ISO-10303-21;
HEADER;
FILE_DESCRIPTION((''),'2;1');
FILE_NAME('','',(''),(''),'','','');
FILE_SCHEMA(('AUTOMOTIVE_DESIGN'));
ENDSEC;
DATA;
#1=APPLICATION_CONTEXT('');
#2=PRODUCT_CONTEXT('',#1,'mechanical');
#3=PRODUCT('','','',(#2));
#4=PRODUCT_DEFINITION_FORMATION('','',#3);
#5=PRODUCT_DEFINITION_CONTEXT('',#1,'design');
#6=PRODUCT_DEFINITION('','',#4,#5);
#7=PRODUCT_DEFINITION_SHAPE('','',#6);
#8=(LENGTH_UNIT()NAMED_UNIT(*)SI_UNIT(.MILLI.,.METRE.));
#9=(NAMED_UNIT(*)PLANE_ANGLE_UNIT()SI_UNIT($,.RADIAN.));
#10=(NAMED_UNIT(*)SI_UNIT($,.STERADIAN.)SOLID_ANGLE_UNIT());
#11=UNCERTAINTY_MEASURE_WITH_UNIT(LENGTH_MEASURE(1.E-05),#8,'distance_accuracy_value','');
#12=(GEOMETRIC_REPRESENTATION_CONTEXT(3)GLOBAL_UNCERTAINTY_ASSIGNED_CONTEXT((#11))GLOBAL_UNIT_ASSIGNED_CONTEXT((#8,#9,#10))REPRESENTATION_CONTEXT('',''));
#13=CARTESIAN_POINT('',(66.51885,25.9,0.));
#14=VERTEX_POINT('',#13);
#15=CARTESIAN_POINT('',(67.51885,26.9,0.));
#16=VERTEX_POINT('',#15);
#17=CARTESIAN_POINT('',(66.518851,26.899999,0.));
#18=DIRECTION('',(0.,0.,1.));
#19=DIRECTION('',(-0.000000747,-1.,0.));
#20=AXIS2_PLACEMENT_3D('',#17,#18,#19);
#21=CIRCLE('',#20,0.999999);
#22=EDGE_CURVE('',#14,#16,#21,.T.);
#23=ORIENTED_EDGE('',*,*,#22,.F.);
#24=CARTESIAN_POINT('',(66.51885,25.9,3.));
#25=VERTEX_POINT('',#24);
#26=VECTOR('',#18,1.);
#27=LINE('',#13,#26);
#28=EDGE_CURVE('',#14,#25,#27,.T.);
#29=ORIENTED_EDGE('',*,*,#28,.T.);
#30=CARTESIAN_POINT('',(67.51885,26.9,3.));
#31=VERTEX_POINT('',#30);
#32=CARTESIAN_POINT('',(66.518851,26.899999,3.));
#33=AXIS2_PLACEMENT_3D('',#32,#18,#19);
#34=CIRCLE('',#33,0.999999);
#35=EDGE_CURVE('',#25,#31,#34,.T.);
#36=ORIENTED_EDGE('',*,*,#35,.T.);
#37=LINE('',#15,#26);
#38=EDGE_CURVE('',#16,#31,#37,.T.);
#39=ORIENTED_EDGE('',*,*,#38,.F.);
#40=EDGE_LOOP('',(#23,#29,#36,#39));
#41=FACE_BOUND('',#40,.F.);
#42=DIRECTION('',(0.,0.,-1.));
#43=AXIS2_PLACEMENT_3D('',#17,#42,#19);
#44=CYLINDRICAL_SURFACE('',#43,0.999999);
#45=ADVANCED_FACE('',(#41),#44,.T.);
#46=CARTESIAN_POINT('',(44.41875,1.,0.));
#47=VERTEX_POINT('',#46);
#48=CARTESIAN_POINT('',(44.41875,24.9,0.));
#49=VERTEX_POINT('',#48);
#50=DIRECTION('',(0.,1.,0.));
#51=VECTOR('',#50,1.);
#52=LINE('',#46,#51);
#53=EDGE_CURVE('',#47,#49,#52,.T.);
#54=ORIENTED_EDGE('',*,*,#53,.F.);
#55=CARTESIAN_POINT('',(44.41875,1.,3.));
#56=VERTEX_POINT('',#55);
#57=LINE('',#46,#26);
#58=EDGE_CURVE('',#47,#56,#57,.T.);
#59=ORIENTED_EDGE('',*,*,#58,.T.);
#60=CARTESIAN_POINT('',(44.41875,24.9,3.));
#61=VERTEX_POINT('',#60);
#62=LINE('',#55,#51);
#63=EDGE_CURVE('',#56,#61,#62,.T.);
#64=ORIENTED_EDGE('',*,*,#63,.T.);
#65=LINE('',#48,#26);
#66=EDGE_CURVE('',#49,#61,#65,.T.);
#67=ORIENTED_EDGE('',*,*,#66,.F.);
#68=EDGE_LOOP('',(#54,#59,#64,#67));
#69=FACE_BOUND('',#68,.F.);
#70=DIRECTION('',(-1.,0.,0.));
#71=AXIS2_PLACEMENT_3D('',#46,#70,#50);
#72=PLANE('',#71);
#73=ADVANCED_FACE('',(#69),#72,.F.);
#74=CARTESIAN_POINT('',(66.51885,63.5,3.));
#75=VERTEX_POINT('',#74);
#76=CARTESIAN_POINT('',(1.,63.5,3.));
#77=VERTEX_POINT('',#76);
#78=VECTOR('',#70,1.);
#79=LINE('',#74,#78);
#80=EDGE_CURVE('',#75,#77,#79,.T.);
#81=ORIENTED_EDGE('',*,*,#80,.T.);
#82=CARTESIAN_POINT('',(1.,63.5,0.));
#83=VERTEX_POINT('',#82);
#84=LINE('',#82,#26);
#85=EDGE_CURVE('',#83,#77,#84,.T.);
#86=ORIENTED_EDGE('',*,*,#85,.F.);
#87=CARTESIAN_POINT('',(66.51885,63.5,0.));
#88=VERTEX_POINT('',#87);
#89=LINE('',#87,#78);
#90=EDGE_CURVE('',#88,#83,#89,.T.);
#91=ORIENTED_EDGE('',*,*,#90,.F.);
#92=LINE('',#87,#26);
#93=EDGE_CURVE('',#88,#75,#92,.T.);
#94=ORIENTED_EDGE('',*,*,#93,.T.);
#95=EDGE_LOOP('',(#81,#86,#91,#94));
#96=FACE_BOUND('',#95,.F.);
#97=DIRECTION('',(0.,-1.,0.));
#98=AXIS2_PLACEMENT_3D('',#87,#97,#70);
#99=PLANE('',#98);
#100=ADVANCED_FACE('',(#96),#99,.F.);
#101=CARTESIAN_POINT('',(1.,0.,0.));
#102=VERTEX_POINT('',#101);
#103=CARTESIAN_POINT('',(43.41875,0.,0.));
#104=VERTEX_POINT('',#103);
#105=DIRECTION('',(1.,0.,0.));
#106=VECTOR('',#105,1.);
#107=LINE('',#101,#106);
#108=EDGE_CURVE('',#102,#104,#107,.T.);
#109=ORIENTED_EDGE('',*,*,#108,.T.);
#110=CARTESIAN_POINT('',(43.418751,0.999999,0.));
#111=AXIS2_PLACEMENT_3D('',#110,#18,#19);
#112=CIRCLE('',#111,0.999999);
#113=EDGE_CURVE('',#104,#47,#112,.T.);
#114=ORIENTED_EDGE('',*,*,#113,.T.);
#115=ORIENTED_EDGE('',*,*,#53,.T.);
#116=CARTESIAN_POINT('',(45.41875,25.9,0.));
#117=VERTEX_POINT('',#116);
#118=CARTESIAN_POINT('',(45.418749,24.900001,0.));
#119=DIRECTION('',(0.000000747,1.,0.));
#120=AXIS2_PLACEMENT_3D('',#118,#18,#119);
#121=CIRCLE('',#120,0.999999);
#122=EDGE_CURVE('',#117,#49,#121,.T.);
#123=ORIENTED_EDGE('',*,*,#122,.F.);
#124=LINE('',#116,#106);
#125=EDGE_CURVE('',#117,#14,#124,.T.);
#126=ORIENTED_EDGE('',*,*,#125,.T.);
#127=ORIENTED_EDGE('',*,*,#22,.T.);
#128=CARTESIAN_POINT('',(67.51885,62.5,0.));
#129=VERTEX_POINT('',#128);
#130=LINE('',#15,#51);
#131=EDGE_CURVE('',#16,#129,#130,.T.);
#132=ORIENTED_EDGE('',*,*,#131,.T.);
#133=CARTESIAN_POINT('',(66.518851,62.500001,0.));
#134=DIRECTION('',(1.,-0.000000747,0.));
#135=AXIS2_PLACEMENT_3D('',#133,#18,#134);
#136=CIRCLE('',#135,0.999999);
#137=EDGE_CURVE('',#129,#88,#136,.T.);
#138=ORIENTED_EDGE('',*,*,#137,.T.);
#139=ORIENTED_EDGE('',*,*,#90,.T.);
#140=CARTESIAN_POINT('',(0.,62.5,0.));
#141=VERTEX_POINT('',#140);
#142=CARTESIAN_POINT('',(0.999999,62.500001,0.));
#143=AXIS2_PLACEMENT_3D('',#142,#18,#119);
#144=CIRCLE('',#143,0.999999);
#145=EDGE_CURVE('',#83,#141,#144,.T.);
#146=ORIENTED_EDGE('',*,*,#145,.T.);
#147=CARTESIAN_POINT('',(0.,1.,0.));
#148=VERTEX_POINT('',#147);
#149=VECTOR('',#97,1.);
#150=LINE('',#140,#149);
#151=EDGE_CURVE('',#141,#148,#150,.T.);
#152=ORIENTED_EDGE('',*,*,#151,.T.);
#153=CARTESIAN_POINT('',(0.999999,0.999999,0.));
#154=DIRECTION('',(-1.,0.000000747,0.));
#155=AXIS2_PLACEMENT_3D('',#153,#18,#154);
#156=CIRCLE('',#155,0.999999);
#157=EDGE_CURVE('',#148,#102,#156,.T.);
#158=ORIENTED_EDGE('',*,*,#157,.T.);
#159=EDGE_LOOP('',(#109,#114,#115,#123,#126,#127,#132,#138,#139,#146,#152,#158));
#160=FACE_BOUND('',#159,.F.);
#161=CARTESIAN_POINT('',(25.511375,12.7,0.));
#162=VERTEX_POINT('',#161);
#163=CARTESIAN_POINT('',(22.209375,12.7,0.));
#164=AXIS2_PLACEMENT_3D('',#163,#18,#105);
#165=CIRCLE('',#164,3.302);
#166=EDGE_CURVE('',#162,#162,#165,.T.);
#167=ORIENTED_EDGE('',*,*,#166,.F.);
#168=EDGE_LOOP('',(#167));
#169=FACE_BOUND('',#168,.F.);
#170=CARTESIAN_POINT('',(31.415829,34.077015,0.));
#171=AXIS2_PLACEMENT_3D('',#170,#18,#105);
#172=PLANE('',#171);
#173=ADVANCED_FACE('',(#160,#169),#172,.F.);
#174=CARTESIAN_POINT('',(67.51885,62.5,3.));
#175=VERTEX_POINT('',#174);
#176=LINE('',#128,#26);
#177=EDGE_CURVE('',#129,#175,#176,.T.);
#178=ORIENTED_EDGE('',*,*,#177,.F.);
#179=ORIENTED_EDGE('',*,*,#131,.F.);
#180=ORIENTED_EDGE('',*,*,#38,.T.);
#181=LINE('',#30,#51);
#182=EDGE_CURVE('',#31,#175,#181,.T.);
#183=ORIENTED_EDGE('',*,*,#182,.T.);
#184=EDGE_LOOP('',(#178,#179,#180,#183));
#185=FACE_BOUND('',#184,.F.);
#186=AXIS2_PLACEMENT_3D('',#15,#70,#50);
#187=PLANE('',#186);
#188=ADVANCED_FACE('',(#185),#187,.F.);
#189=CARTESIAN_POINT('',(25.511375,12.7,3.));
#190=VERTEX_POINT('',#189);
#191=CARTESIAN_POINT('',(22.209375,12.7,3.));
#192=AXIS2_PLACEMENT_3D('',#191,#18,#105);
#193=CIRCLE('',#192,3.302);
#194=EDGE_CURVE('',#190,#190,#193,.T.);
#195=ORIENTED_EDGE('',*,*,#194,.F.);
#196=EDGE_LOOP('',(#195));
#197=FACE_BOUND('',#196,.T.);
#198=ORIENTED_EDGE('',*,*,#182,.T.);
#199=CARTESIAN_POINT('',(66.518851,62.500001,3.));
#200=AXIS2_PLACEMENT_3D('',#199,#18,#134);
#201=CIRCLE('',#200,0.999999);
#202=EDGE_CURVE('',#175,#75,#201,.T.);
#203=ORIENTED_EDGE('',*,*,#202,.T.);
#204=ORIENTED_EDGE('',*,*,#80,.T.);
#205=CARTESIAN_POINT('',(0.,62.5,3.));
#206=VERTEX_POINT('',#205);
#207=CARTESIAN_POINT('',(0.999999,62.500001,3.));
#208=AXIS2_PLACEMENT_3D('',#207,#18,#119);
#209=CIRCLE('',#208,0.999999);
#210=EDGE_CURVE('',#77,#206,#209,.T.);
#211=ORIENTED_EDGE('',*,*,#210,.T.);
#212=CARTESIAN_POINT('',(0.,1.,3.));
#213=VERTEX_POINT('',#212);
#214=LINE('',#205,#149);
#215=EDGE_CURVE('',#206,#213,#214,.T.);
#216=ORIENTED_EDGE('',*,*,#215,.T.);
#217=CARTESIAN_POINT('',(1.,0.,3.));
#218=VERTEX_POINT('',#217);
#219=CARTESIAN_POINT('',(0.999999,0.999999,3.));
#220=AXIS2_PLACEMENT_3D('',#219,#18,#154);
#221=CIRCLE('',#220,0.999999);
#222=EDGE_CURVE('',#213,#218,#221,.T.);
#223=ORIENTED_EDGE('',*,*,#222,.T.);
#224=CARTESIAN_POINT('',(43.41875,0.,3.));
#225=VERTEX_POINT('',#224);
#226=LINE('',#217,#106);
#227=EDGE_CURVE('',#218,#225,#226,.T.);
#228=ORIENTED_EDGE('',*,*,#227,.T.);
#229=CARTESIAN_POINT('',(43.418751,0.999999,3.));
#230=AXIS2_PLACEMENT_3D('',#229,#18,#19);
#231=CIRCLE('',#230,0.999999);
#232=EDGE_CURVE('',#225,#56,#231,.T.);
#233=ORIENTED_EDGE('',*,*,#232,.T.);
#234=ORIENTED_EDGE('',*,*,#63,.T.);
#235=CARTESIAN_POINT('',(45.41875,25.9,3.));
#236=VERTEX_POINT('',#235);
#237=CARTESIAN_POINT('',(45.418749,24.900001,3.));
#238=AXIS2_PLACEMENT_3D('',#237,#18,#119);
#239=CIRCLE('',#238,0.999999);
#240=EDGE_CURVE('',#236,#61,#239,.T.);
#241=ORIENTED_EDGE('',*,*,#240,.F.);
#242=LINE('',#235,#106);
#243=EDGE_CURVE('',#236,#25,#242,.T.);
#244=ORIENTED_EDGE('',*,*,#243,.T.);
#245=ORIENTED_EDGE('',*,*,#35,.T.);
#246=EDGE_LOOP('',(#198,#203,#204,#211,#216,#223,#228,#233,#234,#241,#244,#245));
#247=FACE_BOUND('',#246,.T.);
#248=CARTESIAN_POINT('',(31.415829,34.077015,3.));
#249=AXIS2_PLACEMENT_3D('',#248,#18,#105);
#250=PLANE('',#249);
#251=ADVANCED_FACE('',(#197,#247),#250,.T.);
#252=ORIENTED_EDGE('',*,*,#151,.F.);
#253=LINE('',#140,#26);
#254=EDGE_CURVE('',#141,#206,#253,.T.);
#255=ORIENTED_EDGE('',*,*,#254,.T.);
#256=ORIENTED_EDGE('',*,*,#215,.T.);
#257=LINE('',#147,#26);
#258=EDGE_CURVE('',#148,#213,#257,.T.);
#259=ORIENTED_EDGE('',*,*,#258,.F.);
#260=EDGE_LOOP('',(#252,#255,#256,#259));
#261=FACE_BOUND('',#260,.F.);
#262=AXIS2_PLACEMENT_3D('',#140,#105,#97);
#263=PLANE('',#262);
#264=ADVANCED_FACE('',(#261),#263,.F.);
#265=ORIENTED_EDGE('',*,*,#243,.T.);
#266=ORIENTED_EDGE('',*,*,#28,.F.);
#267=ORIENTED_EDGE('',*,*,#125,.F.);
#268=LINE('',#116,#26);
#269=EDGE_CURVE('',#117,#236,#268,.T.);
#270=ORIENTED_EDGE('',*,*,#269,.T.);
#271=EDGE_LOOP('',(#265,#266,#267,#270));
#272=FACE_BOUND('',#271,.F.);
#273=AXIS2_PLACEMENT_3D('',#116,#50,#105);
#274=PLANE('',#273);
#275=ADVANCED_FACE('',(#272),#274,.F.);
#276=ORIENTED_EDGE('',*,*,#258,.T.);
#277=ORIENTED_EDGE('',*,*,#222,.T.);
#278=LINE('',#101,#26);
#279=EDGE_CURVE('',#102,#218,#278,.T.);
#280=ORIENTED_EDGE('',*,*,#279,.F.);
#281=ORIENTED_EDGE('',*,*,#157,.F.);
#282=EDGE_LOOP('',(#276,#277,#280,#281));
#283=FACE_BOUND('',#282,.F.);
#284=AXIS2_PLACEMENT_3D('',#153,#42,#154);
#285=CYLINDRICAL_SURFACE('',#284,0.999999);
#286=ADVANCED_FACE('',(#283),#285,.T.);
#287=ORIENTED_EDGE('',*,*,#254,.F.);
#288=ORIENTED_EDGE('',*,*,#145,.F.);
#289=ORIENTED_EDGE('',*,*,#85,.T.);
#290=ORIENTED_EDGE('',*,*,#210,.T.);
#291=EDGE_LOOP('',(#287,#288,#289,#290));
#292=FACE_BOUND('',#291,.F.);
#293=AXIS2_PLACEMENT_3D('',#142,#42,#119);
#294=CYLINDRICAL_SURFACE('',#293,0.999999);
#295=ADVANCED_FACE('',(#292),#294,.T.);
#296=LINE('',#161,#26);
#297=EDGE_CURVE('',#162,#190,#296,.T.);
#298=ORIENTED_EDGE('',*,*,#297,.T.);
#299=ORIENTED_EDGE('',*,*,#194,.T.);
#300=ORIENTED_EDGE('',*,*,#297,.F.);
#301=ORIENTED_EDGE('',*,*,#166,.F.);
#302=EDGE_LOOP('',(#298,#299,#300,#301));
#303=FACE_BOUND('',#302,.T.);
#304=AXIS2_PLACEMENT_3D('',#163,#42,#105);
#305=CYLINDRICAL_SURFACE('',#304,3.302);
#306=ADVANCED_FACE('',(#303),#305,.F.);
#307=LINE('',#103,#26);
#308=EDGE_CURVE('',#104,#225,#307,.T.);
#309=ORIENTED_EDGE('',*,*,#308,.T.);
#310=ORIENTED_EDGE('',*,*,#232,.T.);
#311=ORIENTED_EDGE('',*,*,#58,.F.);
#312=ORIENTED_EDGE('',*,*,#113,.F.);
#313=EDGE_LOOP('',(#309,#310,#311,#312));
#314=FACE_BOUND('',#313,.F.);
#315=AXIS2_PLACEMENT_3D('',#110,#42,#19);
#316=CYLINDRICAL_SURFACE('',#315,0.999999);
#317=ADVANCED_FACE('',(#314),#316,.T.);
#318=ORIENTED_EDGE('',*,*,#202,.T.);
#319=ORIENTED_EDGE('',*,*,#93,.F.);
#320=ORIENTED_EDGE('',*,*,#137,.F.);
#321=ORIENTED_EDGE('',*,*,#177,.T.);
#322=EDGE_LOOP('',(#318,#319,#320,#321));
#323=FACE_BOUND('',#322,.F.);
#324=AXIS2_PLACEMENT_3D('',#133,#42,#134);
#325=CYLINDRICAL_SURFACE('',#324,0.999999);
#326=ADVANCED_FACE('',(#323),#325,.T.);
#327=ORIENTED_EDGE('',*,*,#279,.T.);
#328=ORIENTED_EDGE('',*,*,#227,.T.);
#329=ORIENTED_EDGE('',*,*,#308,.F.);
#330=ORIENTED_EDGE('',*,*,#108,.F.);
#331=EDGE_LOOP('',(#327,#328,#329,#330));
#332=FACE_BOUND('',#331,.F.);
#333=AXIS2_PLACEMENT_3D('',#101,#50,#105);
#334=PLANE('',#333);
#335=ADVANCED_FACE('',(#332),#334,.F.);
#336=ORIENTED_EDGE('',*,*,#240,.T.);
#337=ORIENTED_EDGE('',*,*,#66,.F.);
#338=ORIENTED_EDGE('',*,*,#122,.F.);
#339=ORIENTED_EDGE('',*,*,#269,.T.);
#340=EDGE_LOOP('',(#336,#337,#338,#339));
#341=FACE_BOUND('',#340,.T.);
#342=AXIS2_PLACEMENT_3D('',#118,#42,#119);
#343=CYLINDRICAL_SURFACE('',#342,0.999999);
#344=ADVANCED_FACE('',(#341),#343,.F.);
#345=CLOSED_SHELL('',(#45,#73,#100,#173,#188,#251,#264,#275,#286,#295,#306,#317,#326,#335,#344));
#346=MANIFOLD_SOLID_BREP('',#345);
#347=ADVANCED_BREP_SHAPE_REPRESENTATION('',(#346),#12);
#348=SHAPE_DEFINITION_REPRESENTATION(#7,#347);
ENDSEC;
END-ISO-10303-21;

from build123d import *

# Parameters (mm, degrees)
SKETCH_R  = 3.302
PAD_DEPTH = 3


with BuildPart() as part:
    # Sketch → Pad (new body)
    with BuildSketch(Plane.XY):
        with BuildLine():
            Line((0, 62.5), (0, 1))
            ThreePointArc((0, 1), (0.292893, 0.292893), (1, 0))
            Line((1, 0), (43.41875, 0))
            ThreePointArc((43.41875, 0), (44.125857, 0.292893), (44.41875, 1))
            Line((44.41875, 1), (44.41875, 24.9))
            ThreePointArc((45.41875, 25.9), (44.711643, 25.607107), (44.41875, 24.9))
            Line((45.41875, 25.9), (66.51885, 25.9))
            ThreePointArc((66.51885, 25.9), (67.225957, 26.192893), (67.51885, 26.9))
            Line((67.51885, 26.9), (67.51885, 62.5))
            ThreePointArc((67.51885, 62.5), (67.225957, 63.207107), (66.51885, 63.5))
            Line((66.51885, 63.5), (1, 63.5))
            ThreePointArc((1, 63.5), (0.292893, 63.207107), (0, 62.5))
        make_face()
        with Locations((22.209375, 12.7)):
            Circle(SKETCH_R, mode=Mode.SUBTRACT)
    extrude(amount=PAD_DEPTH)


solid = part.part
